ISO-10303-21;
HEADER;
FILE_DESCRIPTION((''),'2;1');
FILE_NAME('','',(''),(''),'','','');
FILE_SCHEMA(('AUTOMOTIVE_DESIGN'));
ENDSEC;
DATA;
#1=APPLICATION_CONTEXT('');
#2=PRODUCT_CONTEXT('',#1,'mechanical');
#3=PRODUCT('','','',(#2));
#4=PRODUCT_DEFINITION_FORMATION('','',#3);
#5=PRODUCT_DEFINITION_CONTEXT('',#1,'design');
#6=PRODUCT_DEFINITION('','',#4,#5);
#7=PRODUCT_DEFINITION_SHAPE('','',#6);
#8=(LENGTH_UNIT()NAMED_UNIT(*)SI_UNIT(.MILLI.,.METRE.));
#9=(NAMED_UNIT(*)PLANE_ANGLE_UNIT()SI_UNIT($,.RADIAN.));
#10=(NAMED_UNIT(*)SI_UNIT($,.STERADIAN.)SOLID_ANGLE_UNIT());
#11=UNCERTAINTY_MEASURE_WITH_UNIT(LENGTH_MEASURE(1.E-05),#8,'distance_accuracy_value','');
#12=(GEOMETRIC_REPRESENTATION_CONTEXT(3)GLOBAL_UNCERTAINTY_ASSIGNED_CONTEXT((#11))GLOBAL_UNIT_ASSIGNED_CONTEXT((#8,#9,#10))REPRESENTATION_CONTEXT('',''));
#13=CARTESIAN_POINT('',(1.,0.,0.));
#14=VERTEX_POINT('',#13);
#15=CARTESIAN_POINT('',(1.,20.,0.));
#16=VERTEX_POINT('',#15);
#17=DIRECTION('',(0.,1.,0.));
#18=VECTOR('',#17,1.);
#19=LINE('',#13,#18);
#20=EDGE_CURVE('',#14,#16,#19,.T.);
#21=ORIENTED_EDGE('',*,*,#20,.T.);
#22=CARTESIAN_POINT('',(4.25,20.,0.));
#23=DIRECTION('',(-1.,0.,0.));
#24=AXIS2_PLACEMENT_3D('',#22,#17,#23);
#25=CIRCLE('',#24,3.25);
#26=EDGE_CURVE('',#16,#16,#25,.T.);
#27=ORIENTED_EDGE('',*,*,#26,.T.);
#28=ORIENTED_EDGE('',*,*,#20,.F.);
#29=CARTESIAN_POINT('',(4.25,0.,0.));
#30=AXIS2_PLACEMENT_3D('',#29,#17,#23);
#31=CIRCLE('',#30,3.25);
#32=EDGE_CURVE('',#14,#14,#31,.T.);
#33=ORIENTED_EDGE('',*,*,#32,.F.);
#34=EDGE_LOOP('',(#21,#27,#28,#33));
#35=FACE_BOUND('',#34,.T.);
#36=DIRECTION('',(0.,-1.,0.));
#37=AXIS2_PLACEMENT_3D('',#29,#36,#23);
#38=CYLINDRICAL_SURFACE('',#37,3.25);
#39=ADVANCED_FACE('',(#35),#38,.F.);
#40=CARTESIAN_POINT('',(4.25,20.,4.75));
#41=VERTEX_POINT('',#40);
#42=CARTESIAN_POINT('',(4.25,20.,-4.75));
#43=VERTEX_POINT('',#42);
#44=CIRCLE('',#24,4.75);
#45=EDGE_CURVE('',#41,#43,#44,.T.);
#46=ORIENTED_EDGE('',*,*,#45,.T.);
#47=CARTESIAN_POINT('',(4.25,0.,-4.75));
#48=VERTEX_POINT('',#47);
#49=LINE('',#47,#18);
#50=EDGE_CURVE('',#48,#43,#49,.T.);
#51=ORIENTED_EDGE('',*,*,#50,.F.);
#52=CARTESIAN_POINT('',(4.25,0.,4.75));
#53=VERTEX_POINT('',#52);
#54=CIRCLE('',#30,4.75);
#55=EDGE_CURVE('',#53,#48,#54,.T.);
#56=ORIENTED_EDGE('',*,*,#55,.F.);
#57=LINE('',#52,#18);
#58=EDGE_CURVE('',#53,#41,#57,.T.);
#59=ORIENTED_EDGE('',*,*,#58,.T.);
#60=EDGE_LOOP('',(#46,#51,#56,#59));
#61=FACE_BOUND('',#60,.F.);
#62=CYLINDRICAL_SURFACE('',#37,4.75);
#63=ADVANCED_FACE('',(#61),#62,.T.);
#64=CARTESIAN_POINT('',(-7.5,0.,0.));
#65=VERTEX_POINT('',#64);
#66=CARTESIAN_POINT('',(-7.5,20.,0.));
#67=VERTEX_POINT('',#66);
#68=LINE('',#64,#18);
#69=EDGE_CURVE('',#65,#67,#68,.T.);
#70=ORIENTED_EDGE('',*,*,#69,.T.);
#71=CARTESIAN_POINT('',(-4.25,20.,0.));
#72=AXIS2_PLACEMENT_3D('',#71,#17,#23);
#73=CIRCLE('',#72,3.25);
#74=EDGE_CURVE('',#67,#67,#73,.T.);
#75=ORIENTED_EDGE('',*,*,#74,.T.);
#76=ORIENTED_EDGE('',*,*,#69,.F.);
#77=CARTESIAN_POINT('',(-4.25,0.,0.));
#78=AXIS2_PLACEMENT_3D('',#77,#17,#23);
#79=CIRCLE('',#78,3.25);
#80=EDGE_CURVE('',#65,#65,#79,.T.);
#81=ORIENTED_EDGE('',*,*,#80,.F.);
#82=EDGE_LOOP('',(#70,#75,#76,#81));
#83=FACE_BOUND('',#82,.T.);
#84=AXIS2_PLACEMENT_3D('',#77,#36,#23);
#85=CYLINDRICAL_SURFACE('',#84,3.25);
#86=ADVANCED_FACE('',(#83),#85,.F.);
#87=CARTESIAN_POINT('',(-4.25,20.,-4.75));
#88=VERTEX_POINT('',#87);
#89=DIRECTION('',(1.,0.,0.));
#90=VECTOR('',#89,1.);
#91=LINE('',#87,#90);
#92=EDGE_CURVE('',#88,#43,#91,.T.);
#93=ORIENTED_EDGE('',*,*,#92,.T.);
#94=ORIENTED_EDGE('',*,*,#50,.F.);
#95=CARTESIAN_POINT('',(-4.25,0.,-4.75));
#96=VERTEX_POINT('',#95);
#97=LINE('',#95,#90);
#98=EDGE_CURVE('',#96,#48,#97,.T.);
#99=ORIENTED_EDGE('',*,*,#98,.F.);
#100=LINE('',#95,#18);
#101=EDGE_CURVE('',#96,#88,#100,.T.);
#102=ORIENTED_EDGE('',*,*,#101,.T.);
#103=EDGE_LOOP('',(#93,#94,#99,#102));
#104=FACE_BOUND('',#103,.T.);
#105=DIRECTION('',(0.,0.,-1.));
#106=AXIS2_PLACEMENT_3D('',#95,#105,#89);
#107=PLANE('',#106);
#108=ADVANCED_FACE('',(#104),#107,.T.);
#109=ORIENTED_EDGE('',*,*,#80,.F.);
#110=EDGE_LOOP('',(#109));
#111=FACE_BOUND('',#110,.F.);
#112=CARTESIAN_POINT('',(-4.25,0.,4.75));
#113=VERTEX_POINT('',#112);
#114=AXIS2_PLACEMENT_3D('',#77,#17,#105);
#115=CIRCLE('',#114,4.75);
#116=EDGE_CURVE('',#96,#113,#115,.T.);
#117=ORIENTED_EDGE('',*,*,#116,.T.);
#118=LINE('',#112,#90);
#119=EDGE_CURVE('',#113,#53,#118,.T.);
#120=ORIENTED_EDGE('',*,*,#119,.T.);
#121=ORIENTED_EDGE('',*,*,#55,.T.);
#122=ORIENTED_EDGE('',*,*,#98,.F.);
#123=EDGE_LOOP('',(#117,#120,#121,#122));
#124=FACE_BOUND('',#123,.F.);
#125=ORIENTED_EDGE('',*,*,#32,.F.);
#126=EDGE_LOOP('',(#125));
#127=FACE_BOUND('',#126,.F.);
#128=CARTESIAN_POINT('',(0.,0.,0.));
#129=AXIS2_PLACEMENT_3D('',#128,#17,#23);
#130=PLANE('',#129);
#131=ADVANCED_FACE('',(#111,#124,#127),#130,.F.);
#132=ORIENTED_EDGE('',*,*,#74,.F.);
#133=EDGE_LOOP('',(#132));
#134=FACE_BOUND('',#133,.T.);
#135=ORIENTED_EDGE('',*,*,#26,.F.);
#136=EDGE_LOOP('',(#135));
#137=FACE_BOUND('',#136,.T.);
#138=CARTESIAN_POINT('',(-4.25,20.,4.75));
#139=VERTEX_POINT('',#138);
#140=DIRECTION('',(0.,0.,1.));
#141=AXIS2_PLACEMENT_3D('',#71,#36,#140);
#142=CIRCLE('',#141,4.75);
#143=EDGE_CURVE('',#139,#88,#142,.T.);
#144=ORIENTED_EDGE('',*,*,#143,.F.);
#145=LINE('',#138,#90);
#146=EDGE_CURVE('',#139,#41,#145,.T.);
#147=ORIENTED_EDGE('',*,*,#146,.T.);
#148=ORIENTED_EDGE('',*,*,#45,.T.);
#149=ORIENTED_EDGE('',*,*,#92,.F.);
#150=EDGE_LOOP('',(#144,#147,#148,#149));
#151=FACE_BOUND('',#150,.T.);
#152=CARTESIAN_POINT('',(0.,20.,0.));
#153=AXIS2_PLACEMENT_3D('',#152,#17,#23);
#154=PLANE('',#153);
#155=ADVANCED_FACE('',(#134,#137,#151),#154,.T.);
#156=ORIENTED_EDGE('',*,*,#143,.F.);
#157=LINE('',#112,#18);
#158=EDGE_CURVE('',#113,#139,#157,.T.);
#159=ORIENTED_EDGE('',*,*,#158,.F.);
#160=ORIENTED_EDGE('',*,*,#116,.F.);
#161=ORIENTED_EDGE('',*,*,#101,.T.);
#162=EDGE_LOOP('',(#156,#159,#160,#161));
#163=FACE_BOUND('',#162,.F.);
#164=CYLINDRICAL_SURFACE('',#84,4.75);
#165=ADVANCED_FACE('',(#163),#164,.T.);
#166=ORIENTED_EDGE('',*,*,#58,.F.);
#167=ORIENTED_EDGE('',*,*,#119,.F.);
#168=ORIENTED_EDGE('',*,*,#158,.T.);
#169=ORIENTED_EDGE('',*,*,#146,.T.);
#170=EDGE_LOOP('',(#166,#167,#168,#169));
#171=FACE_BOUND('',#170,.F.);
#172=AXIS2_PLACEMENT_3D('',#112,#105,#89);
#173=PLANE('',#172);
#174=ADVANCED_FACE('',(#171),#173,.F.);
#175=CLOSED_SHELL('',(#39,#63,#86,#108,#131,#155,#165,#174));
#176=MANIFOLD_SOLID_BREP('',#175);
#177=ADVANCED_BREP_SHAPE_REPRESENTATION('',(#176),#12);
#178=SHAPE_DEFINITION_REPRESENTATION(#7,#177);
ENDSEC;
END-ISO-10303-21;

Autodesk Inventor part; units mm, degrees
ref_plane "YZ Plane" through (0, 0, 0) normal (1, 0, 0) x (0, 1, 0)
ref_plane "XZ Plane" through (0, 0, 0) normal (0, 1, 0) x (-1, 0, 0)
ref_plane "XY Plane" through (0, 0, 0) normal (0, 0, 1) x (1, 0, 0)
sketch "Sketch1" plane through (0, 0, 0) normal (0, 1, 0) x (-1, 0, 0)
  circle A0 centre (4.25, 0) radius 3.25
  circle A1 centre (-4.25, 0) radius 3.25
  line L0 (4.25, 0) -> (-4.25, 0) construction
  line L1 (0, 0) -> (0, -13.2538) construction
  circle A2 centre (4.25, 0) radius 4.75
  circle A3 centre (-4.25, 0) radius 4.75
  line L2 (4.25, -4.75) -> (-4.25, -4.75)
  line L3 (4.25, 4.75) -> (-4.25, 4.75)
  dimension "d0" = 6.5
  dimension "d1" = 8.5
  dimension "d2" = 1.5
  dimension "d3" = 1.5
extrude "Extrusion1" add sketch "Sketch1" along normal blind 20
properties part number "BackpackFrameLinearJoint"
